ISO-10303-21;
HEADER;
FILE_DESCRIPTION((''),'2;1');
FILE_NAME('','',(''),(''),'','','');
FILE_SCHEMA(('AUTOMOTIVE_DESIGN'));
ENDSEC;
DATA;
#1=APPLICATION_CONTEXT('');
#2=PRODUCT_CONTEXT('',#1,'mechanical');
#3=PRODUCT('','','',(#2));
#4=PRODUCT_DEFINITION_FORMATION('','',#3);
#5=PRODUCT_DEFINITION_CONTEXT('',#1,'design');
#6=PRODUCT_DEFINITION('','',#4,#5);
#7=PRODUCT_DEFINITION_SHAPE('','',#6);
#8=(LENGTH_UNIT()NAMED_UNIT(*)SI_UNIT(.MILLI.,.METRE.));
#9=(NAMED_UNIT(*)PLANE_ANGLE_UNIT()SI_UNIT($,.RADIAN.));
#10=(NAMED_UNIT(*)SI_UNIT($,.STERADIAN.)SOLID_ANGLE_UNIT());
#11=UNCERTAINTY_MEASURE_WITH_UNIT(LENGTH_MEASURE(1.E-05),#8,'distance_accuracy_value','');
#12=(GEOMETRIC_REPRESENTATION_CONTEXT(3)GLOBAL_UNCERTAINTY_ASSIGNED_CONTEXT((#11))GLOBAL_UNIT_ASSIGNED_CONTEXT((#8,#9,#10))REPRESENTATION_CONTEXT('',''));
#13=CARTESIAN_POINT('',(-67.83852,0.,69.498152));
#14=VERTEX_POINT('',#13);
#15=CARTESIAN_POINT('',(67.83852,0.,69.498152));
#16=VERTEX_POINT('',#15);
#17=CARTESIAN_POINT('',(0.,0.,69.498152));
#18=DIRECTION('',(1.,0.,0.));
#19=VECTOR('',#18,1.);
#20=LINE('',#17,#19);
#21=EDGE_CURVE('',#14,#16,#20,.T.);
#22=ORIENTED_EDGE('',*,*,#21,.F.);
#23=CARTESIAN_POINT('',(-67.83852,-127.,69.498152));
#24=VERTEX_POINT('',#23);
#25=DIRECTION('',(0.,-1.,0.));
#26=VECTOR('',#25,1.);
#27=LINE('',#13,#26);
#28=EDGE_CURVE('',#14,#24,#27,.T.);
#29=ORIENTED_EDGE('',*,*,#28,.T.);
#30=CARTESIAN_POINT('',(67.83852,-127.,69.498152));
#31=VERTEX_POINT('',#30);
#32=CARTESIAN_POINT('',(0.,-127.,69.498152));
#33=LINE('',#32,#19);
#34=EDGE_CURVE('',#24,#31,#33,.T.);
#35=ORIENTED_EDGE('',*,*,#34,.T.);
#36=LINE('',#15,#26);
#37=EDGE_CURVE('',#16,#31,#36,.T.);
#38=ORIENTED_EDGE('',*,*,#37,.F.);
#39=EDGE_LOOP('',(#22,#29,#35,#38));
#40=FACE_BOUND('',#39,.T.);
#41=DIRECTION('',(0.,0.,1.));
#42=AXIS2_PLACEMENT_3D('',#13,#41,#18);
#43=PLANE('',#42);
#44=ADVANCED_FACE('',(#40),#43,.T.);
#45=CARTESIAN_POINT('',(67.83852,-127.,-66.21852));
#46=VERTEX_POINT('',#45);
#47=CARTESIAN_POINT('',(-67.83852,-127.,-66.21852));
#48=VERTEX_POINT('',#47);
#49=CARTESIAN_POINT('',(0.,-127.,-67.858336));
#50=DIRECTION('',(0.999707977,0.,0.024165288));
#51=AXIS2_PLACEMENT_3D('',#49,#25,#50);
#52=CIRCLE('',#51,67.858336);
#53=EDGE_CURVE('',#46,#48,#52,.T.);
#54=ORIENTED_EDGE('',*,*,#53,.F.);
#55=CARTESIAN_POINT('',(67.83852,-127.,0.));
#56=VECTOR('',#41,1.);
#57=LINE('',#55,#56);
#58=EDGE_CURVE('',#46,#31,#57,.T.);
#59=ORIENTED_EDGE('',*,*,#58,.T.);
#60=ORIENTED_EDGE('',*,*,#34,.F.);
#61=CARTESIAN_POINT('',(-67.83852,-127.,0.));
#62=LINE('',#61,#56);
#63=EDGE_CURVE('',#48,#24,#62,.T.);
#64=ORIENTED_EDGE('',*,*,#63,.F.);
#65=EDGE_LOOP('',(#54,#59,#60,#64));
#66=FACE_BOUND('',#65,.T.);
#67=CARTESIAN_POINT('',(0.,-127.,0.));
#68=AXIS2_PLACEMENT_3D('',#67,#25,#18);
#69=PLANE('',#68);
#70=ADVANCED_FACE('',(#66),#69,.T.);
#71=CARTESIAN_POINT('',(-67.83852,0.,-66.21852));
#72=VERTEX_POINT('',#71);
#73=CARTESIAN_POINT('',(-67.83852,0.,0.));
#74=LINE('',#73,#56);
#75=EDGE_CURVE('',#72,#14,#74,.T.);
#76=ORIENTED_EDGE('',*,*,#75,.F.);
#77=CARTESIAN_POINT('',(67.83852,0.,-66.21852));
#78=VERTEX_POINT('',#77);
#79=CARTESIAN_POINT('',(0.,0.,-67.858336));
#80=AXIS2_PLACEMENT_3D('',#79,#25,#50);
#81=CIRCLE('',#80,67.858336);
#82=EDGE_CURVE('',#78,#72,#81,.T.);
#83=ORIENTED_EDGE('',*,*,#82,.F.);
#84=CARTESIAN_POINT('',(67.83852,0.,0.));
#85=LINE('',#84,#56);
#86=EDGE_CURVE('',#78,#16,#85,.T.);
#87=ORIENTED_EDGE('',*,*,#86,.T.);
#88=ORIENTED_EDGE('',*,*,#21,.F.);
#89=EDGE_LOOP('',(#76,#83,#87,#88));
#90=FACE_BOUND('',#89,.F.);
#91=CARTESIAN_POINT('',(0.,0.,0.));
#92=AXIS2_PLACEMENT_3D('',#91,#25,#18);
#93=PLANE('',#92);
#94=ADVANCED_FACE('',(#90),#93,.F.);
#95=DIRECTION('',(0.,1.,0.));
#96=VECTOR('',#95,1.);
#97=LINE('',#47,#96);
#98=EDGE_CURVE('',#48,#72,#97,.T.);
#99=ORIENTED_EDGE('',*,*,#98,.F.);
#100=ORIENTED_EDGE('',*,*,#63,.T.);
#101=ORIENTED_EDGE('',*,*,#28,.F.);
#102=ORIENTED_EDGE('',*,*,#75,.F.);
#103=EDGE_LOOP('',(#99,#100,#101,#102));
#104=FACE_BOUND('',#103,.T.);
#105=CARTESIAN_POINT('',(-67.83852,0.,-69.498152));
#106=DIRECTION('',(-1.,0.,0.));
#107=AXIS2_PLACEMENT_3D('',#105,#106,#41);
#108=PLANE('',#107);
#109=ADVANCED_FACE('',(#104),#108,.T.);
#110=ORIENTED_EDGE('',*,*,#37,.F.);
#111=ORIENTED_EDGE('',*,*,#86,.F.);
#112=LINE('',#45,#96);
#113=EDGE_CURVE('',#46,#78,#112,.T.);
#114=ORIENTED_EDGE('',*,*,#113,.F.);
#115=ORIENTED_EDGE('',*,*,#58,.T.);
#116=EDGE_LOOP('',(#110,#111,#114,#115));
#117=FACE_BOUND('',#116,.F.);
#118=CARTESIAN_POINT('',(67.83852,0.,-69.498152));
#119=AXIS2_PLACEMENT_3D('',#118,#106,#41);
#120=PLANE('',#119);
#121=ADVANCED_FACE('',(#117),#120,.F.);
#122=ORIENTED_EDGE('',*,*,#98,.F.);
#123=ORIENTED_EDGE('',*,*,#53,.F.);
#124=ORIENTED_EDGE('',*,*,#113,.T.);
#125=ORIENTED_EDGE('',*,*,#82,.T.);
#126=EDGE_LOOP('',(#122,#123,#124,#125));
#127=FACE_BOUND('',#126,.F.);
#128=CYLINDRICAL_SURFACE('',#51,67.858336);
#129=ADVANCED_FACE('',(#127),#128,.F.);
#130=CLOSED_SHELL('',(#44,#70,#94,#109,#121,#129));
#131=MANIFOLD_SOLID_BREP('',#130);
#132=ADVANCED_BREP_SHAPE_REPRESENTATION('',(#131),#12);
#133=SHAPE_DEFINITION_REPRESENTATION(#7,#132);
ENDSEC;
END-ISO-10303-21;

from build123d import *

# Parameters (mm, degrees)
F0_W     = 135.67704
F0_H     = 138.996304
F1_DEPTH = 127
F3_DEPTH = 127


with BuildPart() as f1:
    # F0 (on Front) → F1 (new body)
    with BuildSketch(Plane.XZ):
        Rectangle(F0_W, F0_H)
    extrude(amount=F1_DEPTH)

    # F2 (on face) → F3 (cut)
    with BuildSketch(Plane.XZ.offset(127)):
        with BuildLine():
            Line((-67.83852, -69.498152), (67.83852, -69.498152))
            Line((67.83852, -69.498152), (67.83852, -66.21852))
            ThreePointArc((67.83852, -66.21852), (0, 0), (-67.83852, -66.21852))
            Line((-67.83852, -66.21852), (-67.83852, -69.498152))
        make_face()
    extrude(amount=-F3_DEPTH, mode=Mode.SUBTRACT)


solid = f1.part
